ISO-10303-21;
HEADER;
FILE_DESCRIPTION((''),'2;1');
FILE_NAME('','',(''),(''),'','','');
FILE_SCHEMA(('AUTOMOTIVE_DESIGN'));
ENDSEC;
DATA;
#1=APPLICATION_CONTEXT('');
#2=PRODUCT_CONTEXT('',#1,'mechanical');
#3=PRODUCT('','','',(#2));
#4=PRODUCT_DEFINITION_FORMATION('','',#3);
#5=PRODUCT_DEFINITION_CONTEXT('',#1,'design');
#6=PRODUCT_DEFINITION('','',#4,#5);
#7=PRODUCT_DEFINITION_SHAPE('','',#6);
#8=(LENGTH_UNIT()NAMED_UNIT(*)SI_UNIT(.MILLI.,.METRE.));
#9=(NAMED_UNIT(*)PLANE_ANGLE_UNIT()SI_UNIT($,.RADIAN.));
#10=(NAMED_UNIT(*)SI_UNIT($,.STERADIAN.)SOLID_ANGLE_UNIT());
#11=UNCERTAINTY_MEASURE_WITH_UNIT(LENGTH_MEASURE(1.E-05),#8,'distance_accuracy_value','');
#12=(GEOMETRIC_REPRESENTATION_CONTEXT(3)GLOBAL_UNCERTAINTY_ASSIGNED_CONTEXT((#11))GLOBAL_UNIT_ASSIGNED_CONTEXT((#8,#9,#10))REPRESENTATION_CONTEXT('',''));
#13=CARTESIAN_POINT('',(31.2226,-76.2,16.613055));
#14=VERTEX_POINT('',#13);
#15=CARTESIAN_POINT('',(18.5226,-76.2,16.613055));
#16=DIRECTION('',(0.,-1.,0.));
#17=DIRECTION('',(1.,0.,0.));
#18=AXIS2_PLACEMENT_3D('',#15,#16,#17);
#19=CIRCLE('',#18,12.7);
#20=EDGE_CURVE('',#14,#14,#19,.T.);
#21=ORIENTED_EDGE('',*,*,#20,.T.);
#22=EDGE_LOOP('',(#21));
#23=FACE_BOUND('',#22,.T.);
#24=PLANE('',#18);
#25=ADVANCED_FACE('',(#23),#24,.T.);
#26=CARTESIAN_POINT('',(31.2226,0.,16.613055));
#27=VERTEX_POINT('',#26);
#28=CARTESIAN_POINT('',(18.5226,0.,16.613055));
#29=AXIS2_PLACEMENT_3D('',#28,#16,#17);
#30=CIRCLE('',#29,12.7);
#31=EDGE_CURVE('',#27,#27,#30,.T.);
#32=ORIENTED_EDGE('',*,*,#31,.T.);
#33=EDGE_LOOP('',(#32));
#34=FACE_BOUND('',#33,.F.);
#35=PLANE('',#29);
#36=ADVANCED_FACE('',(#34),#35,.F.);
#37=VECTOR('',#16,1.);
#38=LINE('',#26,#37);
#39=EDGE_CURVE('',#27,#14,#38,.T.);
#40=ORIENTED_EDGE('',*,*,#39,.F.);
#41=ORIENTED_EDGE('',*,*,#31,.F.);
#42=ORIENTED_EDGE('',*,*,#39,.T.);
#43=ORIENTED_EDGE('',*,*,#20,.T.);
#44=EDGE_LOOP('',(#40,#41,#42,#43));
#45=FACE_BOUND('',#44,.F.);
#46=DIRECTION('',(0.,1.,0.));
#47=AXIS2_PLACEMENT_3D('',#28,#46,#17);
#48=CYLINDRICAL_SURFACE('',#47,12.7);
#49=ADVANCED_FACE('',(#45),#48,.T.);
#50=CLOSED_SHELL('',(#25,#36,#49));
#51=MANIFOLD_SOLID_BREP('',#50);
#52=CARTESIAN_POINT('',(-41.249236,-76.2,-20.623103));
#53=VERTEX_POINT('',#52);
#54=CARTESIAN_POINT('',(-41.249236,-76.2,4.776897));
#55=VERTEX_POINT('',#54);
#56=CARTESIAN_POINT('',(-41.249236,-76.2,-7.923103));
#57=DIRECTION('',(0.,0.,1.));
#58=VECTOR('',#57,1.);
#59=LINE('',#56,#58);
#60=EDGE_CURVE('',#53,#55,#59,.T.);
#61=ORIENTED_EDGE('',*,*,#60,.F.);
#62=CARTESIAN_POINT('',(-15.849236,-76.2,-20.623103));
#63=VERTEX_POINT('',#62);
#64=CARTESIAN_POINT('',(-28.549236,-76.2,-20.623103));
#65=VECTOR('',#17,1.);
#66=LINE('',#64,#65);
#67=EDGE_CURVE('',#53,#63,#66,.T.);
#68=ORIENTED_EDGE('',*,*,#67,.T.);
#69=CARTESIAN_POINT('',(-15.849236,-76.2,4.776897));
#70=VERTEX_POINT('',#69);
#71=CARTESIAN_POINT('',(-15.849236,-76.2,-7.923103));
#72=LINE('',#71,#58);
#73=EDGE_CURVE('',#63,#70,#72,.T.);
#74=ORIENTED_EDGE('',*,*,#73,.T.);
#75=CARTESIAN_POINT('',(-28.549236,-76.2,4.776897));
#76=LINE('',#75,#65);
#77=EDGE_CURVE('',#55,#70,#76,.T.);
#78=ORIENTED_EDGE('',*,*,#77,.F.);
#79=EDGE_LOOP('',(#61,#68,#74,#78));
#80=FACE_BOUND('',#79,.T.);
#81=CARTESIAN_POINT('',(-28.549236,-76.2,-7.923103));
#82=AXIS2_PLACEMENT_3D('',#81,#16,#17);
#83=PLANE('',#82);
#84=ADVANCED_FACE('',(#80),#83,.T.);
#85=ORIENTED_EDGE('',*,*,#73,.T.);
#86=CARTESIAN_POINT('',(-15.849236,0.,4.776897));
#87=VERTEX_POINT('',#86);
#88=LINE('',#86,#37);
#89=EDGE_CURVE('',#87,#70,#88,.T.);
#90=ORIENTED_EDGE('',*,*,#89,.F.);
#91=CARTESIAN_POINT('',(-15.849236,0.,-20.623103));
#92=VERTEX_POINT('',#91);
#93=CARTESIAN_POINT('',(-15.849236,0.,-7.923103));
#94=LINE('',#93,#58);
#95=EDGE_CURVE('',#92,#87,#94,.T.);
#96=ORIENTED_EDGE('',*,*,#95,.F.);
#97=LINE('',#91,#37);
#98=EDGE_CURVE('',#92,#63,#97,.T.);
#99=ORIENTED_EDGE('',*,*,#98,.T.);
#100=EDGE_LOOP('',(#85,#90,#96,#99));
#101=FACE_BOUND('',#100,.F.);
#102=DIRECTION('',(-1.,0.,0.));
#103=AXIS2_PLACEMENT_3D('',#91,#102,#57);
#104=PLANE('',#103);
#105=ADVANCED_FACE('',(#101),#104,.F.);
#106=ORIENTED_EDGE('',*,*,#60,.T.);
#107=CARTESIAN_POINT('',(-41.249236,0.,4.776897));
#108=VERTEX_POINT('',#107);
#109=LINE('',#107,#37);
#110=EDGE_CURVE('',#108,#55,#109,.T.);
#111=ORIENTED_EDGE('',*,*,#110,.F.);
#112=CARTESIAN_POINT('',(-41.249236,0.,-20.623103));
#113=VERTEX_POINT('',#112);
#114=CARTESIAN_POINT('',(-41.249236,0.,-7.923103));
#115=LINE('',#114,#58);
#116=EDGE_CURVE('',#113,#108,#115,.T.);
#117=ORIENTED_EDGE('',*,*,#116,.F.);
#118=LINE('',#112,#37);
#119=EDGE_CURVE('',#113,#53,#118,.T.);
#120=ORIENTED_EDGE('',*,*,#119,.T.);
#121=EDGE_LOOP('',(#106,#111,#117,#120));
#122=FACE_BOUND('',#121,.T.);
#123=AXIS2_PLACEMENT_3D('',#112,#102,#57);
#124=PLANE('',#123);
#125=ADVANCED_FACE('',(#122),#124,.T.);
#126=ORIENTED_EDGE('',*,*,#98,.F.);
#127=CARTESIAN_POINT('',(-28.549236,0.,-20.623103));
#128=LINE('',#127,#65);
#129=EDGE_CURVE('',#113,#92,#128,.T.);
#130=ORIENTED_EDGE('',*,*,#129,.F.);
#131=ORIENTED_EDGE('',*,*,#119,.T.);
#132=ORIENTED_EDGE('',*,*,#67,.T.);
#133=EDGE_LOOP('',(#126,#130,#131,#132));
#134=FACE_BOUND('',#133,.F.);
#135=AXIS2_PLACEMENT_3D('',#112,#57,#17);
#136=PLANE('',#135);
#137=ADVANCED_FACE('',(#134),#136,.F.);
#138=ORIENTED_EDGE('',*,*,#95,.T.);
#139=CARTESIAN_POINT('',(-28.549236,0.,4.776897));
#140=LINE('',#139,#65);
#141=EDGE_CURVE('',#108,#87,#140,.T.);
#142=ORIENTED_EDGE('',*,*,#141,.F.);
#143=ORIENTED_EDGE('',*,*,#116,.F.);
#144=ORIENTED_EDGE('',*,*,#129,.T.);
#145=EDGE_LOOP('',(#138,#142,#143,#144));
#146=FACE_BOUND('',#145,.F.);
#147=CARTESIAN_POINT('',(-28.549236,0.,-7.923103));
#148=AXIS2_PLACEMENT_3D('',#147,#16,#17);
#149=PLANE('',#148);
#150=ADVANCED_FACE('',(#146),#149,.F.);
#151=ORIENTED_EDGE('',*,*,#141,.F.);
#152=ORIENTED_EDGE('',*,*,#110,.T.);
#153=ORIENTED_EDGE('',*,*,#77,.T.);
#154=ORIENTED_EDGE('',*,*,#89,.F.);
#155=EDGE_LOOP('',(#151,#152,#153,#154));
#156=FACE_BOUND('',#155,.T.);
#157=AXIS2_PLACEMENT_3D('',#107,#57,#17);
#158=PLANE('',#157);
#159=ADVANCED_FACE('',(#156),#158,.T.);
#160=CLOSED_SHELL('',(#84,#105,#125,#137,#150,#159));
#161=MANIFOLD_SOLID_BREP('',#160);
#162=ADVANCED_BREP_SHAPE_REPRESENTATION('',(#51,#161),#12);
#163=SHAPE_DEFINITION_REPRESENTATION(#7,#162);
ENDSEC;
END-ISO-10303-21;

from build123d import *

# Parameters (mm, degrees)
F0_R     = 12.7
F0_W     = 25.4
F0_H     = 25.4
F1_DEPTH = 76.2


with BuildPart() as f1:
    # F0 (on Front) → F1 (new body)
    with BuildSketch(Plane.XZ):
        with Locations((18.5226, 16.613055)):
            Circle(F0_R)
        with Locations((-28.549236, -7.923103)):
            Rectangle(F0_W, F0_H)
    extrude(amount=F1_DEPTH)


solid = f1.part
